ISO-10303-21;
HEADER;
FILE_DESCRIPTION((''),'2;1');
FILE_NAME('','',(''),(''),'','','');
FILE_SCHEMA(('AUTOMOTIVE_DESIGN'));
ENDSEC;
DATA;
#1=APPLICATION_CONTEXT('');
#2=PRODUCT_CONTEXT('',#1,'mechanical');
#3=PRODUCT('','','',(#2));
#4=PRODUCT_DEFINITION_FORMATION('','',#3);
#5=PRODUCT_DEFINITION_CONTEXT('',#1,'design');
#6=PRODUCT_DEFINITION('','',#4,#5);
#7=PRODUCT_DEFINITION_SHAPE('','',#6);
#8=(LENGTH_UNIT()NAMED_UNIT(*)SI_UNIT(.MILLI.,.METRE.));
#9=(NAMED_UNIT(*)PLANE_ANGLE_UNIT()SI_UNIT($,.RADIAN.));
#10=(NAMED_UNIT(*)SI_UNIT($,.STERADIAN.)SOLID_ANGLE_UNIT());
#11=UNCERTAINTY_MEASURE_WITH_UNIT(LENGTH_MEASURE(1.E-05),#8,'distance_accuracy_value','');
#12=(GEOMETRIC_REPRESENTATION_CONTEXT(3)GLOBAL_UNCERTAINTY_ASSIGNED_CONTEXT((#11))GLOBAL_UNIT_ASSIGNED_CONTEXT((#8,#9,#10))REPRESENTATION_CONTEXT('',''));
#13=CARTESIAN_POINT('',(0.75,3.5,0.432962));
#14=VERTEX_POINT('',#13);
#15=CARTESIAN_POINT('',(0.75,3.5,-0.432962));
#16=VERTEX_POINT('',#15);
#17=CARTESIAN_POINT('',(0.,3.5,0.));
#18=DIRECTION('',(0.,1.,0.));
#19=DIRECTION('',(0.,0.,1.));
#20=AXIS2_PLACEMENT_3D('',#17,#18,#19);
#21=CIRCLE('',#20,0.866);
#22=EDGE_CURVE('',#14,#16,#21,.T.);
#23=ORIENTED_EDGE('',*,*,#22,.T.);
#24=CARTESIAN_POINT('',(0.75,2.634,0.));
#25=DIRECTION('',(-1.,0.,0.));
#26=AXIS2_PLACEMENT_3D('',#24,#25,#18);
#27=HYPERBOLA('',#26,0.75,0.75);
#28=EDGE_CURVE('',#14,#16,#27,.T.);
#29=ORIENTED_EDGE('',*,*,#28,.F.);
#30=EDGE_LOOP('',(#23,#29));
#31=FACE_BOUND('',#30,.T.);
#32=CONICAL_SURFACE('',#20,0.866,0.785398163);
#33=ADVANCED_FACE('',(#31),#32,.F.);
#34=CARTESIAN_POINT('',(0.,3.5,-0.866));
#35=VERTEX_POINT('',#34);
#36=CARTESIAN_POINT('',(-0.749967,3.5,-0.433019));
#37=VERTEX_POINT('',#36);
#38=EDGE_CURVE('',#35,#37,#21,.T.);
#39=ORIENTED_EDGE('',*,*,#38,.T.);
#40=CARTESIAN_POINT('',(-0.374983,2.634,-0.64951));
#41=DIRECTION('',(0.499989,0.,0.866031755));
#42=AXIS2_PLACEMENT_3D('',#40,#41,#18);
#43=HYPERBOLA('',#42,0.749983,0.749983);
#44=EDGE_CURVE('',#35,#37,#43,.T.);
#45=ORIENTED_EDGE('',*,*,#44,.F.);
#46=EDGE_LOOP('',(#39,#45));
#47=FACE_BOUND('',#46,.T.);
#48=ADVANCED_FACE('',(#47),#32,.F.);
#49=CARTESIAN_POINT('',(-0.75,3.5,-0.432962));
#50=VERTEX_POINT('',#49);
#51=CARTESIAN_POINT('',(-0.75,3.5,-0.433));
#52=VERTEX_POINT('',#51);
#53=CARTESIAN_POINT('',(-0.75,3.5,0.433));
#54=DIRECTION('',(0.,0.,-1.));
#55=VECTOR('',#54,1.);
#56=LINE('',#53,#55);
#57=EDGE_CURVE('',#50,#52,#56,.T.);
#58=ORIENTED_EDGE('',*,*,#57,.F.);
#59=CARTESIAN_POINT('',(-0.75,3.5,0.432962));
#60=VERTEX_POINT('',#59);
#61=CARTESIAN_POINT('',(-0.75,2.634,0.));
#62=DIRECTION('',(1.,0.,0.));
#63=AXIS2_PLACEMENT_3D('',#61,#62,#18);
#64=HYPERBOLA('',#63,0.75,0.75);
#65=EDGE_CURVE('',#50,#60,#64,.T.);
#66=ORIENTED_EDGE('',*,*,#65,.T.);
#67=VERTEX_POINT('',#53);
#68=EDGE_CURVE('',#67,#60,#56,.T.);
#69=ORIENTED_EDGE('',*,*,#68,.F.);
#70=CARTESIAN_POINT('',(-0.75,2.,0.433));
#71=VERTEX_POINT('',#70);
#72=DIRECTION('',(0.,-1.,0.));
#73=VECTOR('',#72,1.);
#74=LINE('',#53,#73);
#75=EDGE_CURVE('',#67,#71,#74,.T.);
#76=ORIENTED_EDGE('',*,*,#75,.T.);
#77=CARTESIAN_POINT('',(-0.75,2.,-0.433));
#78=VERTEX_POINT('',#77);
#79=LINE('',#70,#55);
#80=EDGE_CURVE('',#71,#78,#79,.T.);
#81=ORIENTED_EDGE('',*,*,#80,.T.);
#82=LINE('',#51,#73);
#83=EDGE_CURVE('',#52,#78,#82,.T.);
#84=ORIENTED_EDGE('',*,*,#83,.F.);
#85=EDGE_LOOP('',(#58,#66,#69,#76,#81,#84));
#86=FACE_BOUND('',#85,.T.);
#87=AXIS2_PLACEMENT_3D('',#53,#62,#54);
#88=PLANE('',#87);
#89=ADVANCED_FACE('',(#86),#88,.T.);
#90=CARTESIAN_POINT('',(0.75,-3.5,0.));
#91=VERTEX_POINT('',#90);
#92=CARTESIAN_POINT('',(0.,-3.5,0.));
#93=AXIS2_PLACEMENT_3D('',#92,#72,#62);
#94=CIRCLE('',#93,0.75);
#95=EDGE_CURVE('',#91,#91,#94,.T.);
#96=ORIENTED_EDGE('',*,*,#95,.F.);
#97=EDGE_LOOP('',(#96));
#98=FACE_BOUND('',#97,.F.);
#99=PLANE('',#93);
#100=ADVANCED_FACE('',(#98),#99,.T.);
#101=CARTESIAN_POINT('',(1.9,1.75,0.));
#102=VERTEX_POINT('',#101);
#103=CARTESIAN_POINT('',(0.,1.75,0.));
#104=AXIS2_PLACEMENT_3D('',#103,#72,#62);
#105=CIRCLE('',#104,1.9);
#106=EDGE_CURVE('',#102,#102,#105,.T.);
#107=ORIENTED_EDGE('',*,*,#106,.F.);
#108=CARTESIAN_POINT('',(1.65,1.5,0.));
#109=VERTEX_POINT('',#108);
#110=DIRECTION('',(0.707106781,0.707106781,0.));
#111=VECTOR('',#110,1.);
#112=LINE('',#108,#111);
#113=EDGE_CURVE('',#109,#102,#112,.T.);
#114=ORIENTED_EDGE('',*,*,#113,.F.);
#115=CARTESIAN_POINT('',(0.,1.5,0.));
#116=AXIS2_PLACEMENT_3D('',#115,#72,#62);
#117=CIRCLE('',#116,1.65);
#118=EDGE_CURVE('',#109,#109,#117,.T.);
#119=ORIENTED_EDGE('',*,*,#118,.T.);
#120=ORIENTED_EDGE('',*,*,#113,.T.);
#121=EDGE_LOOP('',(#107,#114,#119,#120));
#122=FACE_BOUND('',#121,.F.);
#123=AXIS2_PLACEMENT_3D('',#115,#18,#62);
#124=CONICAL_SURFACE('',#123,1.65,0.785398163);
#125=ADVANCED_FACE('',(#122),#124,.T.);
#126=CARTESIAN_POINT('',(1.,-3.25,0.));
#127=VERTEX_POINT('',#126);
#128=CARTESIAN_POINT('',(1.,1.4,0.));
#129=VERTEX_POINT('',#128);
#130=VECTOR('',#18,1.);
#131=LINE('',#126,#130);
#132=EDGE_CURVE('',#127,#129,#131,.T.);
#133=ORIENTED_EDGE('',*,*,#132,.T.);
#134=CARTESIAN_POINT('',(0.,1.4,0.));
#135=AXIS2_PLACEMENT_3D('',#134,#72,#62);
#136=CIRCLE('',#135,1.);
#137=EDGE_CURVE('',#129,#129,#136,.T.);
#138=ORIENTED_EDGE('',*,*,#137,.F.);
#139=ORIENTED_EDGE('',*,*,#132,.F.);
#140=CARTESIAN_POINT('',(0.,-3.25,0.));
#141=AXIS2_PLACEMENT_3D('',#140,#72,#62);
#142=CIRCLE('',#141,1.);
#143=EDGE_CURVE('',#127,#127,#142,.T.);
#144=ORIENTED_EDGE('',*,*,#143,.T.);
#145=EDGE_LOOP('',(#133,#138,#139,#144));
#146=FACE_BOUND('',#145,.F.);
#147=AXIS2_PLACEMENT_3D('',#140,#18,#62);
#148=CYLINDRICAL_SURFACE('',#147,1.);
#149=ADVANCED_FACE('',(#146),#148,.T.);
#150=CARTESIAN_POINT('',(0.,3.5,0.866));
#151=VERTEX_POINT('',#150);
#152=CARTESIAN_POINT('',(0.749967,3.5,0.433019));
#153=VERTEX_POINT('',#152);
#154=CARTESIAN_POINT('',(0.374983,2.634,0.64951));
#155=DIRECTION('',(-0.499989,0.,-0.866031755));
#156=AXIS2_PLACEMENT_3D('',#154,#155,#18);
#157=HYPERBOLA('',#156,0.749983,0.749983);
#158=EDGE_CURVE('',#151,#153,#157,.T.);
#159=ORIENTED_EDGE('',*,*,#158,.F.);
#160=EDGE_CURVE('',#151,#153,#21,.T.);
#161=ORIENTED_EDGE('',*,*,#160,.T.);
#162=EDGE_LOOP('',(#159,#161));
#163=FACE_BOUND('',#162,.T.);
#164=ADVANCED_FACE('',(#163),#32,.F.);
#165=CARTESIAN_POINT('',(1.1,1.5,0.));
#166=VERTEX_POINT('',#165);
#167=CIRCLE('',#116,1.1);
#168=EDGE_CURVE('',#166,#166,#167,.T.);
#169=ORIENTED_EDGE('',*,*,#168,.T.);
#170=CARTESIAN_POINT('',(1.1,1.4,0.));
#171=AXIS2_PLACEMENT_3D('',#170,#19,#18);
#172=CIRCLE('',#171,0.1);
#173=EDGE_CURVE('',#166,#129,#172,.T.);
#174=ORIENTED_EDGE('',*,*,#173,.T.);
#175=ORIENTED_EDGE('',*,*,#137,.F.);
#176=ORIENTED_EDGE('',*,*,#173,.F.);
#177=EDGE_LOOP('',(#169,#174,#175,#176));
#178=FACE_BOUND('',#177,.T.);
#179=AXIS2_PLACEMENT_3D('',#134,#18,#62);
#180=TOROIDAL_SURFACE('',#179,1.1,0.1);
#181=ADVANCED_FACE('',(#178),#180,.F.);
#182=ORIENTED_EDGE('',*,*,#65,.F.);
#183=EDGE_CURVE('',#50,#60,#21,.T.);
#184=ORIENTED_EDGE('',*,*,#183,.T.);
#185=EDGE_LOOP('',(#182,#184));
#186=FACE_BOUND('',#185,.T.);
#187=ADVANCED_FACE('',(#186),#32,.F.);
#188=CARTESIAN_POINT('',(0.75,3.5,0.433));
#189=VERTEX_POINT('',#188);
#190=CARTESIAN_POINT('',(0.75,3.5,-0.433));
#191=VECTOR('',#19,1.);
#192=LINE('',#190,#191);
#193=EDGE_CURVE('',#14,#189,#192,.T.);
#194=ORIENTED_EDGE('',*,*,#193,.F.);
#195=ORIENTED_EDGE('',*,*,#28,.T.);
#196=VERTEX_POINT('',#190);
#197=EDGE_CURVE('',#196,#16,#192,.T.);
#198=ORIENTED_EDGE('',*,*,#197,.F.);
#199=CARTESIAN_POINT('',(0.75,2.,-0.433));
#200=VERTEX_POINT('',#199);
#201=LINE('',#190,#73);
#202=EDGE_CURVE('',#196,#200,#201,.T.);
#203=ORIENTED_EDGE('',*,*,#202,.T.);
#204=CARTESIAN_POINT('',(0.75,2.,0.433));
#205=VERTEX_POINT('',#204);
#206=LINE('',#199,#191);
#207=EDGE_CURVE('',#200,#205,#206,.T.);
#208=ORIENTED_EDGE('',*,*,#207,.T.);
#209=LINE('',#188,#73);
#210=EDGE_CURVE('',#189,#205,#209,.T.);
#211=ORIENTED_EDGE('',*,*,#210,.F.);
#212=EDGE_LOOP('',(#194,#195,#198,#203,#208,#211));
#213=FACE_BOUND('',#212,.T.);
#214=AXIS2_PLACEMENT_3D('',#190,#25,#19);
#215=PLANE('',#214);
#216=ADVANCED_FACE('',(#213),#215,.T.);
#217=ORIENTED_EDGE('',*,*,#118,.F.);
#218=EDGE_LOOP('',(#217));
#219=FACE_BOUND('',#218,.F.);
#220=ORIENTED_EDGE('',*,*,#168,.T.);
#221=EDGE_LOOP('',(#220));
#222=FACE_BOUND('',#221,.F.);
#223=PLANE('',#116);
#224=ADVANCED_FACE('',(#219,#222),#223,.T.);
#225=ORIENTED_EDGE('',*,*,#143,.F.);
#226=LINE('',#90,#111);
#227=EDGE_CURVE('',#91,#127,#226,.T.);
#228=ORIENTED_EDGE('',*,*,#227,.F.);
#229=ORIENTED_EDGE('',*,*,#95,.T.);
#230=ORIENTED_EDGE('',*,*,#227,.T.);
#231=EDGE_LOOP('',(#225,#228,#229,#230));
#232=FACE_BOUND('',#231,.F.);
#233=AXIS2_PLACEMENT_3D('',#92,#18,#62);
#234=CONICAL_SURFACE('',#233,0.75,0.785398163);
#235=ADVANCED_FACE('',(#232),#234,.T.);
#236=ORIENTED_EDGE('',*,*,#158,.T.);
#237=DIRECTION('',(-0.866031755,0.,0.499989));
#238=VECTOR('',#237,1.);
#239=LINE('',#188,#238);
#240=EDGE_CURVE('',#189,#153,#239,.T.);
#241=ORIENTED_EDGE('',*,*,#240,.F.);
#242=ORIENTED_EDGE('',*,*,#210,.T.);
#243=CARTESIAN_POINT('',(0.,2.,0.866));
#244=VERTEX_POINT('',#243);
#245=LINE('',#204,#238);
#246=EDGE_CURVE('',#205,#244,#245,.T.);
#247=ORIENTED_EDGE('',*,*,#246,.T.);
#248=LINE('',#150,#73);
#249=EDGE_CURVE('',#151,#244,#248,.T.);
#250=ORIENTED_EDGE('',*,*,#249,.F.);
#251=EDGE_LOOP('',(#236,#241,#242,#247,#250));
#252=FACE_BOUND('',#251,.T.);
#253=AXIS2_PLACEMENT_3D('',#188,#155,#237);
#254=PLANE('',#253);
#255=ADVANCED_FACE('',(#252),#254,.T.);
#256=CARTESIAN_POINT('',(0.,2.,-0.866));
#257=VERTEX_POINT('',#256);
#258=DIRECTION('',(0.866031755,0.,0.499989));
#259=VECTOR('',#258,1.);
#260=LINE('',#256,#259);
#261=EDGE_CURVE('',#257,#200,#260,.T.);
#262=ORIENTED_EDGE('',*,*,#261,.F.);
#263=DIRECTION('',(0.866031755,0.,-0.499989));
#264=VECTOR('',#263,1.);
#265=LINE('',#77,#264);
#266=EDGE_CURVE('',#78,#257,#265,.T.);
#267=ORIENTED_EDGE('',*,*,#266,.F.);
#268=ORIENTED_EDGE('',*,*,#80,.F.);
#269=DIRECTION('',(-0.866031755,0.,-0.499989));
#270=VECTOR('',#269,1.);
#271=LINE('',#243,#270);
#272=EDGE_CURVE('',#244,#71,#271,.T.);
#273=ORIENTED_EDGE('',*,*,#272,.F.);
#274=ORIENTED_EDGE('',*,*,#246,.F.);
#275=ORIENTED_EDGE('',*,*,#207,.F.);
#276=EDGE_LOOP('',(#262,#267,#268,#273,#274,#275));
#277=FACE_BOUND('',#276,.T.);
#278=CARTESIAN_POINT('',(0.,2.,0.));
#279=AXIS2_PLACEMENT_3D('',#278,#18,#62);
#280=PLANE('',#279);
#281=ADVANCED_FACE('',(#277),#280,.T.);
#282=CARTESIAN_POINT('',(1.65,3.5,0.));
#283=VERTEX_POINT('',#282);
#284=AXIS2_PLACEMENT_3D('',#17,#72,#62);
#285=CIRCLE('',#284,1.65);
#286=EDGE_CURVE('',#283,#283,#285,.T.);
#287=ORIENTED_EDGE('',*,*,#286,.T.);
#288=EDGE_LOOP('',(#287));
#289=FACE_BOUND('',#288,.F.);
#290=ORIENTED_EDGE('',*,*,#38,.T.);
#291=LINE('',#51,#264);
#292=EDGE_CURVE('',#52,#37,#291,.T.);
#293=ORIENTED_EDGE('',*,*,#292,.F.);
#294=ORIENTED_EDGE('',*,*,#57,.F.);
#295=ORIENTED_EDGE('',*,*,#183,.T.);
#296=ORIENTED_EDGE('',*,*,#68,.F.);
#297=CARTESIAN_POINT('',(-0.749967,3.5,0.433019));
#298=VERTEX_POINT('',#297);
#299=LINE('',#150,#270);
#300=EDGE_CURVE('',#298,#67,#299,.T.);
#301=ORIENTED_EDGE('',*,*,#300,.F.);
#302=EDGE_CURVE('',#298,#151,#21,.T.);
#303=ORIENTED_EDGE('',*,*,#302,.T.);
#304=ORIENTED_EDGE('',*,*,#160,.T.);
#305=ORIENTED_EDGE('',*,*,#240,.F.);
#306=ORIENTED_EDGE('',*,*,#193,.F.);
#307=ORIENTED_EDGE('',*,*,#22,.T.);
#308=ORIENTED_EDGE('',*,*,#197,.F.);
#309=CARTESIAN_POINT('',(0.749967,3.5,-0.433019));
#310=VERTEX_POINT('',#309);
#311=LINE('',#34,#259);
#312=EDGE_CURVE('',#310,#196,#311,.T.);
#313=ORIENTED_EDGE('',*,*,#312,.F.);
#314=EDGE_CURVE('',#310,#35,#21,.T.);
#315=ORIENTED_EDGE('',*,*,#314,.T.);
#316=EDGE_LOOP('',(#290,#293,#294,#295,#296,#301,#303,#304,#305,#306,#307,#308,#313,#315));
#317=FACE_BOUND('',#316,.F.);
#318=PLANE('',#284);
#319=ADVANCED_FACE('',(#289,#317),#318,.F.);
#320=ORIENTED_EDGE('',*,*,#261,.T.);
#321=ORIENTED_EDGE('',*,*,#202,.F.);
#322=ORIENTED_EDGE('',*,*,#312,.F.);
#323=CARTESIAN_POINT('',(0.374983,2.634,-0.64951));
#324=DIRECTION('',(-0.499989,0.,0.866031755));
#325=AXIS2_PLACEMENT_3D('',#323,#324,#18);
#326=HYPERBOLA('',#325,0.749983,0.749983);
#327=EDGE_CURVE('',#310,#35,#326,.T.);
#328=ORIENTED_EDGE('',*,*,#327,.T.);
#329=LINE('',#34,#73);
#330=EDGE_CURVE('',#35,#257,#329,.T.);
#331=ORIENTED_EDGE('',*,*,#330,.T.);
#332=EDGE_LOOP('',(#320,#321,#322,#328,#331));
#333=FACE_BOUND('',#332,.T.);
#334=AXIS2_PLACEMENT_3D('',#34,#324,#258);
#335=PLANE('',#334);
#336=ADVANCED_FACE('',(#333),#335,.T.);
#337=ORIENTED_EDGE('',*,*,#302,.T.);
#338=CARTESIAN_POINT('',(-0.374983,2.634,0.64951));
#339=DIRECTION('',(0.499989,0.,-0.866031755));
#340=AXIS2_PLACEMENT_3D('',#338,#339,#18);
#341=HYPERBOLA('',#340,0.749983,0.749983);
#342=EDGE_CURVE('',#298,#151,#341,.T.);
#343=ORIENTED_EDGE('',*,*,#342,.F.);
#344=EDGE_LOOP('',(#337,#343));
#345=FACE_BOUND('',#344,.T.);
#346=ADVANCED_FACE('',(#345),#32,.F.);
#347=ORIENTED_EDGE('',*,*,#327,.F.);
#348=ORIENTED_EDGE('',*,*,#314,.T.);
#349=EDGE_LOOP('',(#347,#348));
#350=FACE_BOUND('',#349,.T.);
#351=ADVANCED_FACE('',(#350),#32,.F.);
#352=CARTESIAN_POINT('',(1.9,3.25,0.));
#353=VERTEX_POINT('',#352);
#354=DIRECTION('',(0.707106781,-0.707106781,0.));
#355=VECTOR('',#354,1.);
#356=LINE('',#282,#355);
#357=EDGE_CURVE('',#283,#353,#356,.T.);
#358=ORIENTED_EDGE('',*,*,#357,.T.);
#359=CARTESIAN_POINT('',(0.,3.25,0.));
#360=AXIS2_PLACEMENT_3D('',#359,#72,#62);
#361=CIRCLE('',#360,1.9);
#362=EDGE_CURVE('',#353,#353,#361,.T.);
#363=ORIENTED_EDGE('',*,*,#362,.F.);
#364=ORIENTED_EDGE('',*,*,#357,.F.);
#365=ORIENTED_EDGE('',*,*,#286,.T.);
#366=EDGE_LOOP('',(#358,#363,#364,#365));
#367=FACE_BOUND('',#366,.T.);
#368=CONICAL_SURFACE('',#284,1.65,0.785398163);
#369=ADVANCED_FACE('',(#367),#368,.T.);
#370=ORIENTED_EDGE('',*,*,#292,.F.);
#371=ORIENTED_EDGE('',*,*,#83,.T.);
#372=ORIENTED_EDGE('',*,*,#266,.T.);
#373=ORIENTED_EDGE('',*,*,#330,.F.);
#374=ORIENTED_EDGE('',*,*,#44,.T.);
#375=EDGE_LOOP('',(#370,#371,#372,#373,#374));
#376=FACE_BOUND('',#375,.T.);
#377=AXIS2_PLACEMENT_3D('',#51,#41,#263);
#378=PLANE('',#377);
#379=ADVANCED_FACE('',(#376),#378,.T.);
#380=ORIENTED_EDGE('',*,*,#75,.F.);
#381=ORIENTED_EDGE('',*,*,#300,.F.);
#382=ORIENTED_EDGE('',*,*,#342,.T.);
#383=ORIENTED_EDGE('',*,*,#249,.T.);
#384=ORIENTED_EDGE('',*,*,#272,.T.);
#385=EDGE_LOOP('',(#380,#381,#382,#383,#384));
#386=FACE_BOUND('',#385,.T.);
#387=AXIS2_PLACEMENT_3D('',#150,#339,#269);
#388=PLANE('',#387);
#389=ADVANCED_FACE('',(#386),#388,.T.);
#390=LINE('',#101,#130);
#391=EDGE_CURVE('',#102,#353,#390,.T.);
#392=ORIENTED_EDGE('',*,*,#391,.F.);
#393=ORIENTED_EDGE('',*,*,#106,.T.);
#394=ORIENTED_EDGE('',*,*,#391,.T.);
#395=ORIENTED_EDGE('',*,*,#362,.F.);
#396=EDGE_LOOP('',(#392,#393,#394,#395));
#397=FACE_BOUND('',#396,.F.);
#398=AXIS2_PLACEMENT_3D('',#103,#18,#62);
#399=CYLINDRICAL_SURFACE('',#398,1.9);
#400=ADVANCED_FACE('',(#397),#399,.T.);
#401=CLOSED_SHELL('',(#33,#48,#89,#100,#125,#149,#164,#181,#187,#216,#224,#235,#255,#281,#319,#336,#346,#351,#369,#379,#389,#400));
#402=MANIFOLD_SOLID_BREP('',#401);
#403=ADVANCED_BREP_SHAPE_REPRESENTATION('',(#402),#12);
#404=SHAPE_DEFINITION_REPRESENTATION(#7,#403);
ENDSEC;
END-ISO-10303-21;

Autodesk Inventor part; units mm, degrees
ref_plane "YZ Plane" through (0, 0, 0) normal (1, 0, 0) x (0, 1, 0)
ref_plane "XZ Plane" through (0, 0, 0) normal (0, 1, 0) x (-1, 0, 0)
ref_plane "XY Plane" through (0, 0, 0) normal (0, 0, 1) x (1, 0, 0)
sketch "Sketch1" plane through (0, 0, 0) normal (0, 0, 1) x (1, 0, 0)
  line L0 (0, 3.5) -> (0, -3.5)
  line L1 (0, -3.5) -> (0.75, -3.5)
  line L2 (0.75, -3.5) -> (1, -3.25)
  line L3 (1, -3.25) -> (1, 1.4)
  line L4 (1.1, 1.5) -> (1.65, 1.5)
  line L5 (1.9, 1.75) -> (1.9, 3.25)
  line L6 (1.65, 3.5) -> (0, 3.5)
  arc A0 (1.1, 1.5) -> (1, 1.4) centre (1.1, 1.4) ccw
  line L7 (1.65, 3.5) -> (1.9, 3.25)
  line L8 (1.65, 1.5) -> (1.9, 1.75)
  point P0 (0, 0)
  point P1 (1.9, 1.5)
  point P2 (1.9, 3.5)
  point P3 (0, 0)
  dimension "d0" = 3.8
  dimension "d1" = 2
  dimension "d3" = 2
  dimension "d4" = 2.2
  dimension "d5" = 135
  dimension "d6" = 0.25
  dimension "d7" = 5
  dimension "d18" = 0.25
revolve "Revolution1" add sketch "Sketch1" angle 360 about axis through (0, 3.5, 0) along (0, -1, 0)
sketch "Sketch2" plane through (0, 3.5, 0) normal (0, 1, 0) x (1, 0, 0)
  line L0 (0, -0.866) -> (-0.75, -0.433)
  line L1 (-0.75, -0.433) -> (-0.75, 0.433)
  line L2 (-0.75, 0.433) -> (0, 0.866)
  line L3 (0, 0.866) -> (0.75, 0.433)
  line L4 (0.75, 0.433) -> (0.75, -0.433)
  line L5 (0.75, -0.433) -> (0, -0.866)
  point P0 (0, 0)
  point P1 (0, 0)
  dimension "d11" = 1.5
extrude "Extrusion1" cut sketch "Sketch2" against normal blind 1.5
thread "Thread1" size "M2x0.4" class "6g" standard "ANSI Metric M Profile" full length
sketch "Sketch3" plane through (0, 0, 0) normal (1, 0, 0) x (0, 1, 0)
  line L0 (3.5, 0.866) -> (3.5, 0.433) projected
  line L1 (3.5, 0.866) -> (3, 0.366)
  line L2 (3, 0.366) -> (3.5, 0.366)
  line L3 (3.5, 0.366) -> (3.5, 0.866)
  line L4 (-0.6, 0) -> (3.6, 0) projected
  point P0 (0, 0)
  dimension "d16" = 0.5
revolve "Revolution2" cut sketch "Sketch3" angle 360 about axis through (0, -10, 0) along (0, 1, 0)
properties part number "Bolt_M2x0.4_5mm_SH" material "Stainless Steel"
